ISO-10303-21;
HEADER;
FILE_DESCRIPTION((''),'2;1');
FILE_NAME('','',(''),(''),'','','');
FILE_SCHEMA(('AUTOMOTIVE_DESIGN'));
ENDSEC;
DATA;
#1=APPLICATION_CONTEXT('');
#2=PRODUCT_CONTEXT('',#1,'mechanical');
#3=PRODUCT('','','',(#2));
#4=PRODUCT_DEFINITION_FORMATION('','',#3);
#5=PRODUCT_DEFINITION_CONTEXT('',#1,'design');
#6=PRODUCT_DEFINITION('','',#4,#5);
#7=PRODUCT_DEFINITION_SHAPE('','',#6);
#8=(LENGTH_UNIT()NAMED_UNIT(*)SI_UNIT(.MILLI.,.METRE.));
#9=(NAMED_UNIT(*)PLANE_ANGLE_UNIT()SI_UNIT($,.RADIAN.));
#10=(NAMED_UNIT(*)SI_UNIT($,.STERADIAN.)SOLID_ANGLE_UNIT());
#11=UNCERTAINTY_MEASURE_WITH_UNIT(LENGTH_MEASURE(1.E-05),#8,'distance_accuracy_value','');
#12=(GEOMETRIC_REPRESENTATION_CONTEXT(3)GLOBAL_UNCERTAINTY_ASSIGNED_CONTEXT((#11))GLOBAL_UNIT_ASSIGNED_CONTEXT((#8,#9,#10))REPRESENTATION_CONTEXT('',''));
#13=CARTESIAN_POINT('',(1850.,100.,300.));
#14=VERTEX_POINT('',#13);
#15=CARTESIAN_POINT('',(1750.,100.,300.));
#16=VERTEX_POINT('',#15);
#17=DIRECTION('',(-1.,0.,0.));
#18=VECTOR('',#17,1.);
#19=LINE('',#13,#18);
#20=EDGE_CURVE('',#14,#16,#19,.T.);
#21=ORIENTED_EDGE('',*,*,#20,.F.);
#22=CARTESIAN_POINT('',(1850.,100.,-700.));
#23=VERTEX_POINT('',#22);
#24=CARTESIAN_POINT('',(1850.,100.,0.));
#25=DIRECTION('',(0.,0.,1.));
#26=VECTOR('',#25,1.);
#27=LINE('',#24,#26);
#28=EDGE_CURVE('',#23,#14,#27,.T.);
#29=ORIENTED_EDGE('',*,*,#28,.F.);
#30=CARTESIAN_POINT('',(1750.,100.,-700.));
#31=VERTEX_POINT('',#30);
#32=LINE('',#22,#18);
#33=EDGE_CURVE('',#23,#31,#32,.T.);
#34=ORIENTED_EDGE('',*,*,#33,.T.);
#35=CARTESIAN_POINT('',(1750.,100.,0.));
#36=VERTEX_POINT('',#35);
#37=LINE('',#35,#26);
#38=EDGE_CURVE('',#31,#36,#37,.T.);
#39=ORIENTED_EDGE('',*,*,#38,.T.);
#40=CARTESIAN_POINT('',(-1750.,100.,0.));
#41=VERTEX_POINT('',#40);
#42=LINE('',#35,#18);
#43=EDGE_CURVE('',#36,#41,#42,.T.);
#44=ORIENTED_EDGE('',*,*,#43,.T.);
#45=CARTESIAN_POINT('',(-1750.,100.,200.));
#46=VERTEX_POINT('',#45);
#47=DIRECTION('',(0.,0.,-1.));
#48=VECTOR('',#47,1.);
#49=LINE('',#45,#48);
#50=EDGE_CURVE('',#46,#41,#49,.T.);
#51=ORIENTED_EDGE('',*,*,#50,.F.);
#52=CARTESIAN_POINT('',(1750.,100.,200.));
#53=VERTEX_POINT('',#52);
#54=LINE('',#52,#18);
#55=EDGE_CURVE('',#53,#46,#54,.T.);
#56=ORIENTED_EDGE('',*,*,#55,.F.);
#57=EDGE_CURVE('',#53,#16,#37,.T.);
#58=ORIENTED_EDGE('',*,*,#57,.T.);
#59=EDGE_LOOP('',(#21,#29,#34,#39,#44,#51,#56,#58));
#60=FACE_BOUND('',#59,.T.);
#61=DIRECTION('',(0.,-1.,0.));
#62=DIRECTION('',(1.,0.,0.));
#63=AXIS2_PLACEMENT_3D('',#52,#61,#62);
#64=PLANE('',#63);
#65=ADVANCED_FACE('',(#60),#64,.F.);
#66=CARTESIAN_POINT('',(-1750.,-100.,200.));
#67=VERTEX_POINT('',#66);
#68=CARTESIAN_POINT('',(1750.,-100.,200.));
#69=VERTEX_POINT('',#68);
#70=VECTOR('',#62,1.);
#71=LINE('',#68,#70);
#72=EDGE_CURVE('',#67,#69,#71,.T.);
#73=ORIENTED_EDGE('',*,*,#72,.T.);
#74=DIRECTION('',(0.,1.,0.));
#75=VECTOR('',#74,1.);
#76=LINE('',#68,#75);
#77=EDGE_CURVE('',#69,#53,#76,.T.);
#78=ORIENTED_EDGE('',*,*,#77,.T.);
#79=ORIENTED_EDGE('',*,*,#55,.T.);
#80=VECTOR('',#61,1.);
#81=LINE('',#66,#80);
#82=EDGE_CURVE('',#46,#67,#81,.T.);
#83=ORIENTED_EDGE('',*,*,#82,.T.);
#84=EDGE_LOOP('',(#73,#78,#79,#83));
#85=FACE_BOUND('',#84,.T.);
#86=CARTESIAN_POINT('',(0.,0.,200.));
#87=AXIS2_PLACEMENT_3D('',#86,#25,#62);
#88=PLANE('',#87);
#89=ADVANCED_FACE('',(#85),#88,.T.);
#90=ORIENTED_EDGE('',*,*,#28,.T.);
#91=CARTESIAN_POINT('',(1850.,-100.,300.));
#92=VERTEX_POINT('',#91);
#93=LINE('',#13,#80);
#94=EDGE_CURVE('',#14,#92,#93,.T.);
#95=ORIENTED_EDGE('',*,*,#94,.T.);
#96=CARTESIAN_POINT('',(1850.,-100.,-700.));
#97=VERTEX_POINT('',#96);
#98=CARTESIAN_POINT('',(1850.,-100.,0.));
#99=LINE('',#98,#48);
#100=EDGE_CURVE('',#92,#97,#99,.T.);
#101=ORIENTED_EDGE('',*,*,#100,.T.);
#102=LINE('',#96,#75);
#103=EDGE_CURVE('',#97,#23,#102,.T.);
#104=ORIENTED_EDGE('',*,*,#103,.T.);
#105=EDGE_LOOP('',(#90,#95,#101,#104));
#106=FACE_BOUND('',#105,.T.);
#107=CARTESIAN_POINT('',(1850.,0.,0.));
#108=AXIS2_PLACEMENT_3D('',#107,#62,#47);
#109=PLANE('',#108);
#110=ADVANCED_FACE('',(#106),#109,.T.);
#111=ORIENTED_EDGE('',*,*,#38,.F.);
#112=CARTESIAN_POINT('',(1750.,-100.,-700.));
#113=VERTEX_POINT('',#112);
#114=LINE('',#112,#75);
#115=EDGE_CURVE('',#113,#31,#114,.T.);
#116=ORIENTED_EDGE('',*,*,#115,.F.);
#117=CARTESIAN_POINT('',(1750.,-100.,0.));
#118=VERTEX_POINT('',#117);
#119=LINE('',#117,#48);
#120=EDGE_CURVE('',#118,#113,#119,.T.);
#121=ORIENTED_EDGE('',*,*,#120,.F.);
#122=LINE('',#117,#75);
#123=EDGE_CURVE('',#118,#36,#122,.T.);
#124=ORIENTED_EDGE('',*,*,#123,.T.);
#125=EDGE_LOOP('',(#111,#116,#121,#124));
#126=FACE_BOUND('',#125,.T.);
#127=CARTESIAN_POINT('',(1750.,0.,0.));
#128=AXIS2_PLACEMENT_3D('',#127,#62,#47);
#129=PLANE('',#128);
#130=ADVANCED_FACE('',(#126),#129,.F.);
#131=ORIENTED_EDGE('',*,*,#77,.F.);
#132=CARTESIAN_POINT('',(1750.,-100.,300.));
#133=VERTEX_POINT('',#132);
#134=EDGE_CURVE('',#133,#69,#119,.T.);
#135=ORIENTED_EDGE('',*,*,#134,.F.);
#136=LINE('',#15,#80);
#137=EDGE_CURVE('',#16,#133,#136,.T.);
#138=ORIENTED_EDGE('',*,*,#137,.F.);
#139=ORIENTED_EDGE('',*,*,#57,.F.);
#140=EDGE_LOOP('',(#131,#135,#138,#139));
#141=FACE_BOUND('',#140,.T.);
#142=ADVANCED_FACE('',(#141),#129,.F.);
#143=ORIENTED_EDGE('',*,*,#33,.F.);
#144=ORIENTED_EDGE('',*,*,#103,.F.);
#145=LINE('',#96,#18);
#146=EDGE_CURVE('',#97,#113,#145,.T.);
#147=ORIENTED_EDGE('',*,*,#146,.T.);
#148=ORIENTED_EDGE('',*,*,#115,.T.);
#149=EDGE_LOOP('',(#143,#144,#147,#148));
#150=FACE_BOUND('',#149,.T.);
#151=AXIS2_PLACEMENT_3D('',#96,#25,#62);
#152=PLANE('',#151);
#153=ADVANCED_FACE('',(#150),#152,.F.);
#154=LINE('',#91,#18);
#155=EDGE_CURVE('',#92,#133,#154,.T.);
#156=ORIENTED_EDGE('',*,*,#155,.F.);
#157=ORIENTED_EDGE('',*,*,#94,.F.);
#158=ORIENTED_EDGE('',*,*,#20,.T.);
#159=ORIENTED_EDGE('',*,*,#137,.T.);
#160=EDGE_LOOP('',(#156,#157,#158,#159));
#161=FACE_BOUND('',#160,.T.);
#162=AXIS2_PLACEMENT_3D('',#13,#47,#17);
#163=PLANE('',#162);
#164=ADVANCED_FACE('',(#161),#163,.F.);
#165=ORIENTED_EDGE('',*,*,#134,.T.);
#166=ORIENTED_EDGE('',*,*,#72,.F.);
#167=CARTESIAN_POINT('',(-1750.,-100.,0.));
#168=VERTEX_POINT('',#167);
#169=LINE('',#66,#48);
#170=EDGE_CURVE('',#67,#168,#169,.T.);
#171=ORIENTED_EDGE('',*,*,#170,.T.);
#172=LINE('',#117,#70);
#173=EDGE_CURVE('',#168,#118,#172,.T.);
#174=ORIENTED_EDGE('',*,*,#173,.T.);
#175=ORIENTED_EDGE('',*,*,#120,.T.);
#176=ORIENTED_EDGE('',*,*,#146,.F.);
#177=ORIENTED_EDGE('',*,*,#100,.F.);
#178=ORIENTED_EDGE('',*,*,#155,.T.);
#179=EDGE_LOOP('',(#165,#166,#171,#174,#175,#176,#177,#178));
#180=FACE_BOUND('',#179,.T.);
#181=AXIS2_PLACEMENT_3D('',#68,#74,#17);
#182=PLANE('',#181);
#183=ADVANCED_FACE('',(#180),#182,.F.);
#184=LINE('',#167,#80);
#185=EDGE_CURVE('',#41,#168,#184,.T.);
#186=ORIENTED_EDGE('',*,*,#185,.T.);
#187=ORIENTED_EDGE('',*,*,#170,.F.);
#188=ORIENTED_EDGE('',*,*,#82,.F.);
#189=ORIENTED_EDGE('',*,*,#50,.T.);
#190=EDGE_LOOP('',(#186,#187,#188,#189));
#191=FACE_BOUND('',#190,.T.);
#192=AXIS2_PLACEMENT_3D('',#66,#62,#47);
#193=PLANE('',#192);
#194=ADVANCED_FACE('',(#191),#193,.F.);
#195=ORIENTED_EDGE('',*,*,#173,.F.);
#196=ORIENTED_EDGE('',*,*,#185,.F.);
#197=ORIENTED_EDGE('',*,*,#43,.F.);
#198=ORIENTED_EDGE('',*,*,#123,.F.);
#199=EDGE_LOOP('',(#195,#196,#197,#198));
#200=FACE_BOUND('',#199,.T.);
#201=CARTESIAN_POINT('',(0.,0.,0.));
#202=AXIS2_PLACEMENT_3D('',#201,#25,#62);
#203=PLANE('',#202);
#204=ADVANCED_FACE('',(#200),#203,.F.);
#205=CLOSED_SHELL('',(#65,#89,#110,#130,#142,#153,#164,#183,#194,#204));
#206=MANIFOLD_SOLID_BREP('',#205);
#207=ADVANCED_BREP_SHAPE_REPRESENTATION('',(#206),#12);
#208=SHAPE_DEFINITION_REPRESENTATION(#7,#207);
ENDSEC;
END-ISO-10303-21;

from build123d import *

# Parameters (mm, degrees)
CROQUIS1_W              = 3500
CROQUIS1_H              = 200
SALIENTE_EXTRUIR1_DEPTH = 200
SALIENTE_EXTRUIR2_DEPTH = 100


with BuildPart() as part:
    # Croquis1 → Saliente-Extruir1 (new body)
    with BuildSketch(Plane.XY):
        Rectangle(CROQUIS1_W, CROQUIS1_H)
    extrude(amount=SALIENTE_EXTRUIR1_DEPTH)

    # Croquis2 → Saliente-Extruir2 (add)
    with BuildSketch(Plane(origin=(1750, 0, 0), x_dir=(0, 0, -1), z_dir=(1, 0, 0))):
        Polygon((0, 100), (-300, 100), (-300, -100), (0, -100), (700, -100), (700, 100), align=None)
    extrude(amount=SALIENTE_EXTRUIR2_DEPTH)


solid = part.part
